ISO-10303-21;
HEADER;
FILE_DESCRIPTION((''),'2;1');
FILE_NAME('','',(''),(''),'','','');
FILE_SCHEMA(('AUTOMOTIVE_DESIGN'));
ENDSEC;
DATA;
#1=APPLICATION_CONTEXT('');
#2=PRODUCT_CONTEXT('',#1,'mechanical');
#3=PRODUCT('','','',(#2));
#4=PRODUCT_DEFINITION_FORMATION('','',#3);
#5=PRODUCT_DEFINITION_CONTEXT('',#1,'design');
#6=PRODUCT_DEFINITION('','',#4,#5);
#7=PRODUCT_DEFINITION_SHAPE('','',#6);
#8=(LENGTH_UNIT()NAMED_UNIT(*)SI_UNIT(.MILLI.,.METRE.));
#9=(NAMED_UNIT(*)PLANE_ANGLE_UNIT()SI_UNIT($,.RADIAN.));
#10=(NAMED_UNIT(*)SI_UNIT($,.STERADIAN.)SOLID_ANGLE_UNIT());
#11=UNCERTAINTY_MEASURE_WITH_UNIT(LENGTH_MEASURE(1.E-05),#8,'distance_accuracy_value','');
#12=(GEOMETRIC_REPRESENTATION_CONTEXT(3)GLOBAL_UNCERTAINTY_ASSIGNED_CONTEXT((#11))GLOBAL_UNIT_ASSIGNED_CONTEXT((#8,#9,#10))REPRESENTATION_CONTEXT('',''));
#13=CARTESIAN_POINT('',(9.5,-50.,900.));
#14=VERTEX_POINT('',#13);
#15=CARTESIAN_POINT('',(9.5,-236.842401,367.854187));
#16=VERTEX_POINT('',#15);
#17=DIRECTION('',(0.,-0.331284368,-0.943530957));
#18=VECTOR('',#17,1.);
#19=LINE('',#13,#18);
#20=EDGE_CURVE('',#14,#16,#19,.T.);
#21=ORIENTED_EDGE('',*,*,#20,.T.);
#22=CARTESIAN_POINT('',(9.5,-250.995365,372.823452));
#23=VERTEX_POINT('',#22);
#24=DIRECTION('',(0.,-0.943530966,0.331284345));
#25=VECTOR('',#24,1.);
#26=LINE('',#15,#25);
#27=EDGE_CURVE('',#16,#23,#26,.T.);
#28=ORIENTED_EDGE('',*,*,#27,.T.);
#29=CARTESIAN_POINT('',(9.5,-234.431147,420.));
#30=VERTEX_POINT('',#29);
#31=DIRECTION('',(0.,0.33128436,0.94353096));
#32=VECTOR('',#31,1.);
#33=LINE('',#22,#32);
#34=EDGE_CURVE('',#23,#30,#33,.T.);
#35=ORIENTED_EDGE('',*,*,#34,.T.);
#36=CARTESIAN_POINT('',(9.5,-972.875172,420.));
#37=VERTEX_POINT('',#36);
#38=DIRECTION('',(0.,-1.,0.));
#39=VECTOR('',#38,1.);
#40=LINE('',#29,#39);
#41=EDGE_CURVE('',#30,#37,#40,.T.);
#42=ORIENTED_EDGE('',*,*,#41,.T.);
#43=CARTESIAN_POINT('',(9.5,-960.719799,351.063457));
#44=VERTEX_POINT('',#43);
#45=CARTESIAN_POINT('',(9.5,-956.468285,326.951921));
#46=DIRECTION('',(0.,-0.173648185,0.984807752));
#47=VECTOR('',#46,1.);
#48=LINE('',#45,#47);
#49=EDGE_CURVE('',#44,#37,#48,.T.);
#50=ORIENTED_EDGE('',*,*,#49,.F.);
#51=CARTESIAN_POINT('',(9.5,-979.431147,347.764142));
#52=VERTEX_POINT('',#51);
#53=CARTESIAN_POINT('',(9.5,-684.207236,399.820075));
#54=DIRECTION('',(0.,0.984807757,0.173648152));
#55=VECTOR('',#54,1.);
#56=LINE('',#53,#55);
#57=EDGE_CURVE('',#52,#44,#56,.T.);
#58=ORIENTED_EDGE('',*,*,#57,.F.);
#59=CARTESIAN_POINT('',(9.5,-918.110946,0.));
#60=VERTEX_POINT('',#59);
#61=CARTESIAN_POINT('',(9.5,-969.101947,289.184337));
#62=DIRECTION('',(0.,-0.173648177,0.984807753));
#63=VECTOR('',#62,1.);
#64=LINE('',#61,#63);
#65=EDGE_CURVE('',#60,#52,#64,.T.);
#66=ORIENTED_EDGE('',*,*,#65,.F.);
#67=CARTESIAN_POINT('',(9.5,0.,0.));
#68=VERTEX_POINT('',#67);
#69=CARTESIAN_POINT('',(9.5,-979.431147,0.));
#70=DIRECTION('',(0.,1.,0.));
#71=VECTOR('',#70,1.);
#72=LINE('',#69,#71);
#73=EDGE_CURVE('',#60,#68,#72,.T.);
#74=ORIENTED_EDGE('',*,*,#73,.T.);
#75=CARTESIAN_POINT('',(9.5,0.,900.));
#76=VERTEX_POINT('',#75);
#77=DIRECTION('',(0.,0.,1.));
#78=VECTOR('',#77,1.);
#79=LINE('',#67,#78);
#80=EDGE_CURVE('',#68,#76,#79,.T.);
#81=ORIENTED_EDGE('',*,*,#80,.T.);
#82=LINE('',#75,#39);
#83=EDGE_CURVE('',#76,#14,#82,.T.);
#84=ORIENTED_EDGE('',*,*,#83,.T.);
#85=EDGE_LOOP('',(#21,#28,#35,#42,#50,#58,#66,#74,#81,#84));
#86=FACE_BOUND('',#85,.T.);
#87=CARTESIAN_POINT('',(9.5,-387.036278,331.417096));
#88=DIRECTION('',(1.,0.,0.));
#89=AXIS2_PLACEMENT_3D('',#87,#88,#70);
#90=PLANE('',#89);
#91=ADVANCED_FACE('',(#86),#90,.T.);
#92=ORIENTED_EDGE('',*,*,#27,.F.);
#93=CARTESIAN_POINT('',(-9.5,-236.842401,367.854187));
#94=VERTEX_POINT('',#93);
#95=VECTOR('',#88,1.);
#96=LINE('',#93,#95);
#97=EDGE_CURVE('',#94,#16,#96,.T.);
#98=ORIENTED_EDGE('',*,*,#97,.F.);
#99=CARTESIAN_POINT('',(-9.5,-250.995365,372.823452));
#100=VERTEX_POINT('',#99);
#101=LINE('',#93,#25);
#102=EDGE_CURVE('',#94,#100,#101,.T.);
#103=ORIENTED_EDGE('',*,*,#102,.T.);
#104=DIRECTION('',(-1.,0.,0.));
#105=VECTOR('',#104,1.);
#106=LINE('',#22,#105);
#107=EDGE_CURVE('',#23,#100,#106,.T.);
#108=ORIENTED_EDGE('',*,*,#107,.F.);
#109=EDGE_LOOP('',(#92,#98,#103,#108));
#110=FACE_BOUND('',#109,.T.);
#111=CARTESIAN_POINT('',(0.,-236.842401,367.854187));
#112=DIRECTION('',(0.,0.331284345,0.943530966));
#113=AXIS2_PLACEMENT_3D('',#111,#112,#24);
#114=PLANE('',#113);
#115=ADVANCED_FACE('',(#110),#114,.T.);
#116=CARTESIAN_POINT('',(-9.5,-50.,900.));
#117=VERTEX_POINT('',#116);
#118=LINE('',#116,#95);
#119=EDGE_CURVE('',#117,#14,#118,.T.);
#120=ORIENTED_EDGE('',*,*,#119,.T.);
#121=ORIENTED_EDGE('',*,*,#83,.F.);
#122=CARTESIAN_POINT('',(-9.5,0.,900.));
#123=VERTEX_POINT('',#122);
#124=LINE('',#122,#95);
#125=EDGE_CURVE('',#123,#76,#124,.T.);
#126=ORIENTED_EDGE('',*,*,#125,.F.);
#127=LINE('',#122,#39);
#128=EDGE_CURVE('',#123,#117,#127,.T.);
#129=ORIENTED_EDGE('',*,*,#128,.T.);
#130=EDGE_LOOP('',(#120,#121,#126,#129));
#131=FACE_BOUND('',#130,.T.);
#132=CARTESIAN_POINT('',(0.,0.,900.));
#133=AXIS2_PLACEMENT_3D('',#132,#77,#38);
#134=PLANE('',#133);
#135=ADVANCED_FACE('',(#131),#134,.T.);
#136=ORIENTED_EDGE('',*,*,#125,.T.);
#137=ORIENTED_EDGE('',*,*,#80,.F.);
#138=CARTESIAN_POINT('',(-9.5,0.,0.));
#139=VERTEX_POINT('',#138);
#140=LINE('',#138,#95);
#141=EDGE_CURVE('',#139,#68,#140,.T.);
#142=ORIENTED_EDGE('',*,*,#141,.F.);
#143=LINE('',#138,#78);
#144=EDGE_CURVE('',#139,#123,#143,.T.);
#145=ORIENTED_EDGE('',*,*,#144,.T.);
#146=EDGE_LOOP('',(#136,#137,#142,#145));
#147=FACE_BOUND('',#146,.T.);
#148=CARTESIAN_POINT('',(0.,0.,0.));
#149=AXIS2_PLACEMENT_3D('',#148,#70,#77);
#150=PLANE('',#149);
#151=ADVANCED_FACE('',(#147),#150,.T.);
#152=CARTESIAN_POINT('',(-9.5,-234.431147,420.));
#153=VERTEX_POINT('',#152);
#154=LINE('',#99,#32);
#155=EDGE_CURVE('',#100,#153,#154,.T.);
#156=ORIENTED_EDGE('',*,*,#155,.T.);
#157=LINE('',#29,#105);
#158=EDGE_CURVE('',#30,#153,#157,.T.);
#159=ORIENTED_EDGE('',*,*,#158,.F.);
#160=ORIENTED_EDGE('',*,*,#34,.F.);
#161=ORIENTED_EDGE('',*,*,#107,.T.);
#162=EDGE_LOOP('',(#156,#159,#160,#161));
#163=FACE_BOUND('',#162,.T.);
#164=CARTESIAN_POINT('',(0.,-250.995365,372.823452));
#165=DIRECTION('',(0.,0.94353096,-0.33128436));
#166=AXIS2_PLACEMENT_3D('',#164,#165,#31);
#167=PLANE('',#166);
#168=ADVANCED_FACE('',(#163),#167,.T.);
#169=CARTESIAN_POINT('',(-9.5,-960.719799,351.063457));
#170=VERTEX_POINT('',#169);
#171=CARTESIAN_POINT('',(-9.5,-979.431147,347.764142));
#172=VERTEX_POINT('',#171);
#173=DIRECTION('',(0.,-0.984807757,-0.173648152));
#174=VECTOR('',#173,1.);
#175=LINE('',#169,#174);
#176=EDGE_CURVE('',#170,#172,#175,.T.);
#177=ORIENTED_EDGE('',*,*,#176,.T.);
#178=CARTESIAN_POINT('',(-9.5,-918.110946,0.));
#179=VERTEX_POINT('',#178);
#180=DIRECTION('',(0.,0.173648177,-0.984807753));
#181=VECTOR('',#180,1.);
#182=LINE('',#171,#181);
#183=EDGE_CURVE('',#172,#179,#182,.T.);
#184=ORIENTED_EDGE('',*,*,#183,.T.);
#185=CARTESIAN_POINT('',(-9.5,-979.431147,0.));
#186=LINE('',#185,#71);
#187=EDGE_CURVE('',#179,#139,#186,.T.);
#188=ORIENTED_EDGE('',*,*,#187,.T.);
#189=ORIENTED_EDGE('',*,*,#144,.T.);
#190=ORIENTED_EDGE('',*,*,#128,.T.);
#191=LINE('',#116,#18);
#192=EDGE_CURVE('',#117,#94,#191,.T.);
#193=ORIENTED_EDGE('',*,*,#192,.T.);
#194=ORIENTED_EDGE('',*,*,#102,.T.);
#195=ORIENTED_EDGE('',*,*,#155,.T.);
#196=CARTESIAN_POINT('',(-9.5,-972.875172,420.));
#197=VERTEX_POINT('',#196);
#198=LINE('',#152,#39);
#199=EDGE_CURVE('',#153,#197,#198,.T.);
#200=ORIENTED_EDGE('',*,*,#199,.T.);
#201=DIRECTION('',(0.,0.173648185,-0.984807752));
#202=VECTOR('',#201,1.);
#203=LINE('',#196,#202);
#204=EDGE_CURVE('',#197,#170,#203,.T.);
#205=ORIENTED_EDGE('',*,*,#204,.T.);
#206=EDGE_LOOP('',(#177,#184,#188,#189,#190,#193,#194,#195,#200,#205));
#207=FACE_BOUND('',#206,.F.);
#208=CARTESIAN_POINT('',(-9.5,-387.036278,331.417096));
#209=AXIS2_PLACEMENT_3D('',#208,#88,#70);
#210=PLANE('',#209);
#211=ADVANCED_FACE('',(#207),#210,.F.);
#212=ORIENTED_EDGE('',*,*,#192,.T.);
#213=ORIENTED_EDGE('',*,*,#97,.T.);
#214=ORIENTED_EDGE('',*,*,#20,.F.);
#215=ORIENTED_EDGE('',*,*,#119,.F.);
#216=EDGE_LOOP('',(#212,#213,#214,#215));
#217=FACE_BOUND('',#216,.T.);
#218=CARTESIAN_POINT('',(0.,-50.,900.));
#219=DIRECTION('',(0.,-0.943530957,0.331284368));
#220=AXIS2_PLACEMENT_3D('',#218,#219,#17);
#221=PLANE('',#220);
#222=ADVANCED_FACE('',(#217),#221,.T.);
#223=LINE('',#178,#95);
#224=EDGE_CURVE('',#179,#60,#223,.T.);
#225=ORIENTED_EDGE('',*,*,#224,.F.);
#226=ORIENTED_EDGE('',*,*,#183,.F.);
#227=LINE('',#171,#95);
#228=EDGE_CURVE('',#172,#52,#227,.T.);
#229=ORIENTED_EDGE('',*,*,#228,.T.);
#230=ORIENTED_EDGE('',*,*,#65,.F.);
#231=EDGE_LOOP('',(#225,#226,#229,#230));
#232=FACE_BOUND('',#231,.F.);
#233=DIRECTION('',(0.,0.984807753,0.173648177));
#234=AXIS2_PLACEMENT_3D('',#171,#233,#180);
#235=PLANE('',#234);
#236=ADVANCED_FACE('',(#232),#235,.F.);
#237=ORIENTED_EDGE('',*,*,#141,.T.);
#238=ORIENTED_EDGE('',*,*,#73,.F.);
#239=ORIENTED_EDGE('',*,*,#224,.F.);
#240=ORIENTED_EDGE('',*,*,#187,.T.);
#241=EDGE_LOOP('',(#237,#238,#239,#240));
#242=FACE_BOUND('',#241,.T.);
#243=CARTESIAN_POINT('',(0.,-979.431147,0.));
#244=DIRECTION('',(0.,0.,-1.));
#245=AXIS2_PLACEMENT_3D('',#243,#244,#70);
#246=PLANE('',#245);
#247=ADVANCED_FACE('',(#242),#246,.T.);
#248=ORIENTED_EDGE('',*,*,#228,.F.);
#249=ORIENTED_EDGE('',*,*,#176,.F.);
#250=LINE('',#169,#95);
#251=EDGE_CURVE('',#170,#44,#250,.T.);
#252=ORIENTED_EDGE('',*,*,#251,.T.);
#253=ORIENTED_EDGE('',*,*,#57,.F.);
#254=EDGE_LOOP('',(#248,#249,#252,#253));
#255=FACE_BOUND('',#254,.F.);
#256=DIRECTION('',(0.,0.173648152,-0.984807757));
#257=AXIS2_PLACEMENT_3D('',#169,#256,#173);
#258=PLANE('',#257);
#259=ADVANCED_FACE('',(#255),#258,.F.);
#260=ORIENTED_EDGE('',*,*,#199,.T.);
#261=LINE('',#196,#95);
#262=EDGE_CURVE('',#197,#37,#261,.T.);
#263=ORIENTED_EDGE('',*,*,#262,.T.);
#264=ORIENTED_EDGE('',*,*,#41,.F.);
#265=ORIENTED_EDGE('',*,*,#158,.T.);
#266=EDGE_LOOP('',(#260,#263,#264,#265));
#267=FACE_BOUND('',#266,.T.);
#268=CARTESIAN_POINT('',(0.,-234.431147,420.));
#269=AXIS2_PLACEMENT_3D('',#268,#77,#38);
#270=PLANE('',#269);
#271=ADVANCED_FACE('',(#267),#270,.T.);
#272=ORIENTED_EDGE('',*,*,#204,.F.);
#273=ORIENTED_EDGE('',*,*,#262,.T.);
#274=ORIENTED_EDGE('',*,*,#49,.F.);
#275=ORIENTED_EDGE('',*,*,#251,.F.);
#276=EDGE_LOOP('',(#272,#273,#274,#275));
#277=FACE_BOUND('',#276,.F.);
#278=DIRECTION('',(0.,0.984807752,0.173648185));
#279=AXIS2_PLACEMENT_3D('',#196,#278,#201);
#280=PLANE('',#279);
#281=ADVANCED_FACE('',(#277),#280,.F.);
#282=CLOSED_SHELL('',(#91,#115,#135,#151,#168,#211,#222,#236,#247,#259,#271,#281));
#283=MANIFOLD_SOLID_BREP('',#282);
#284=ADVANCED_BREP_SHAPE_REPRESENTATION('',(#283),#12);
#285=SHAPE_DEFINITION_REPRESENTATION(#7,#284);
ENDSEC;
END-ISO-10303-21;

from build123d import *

# Parameters (mm, degrees)
F1_DEPTH = 9.5
F3_DEPTH = 19.001


with BuildPart() as f1:
    # F0 (on Right) → F1 (new body, symmetric)
    with BuildSketch(Plane.YZ):
        Polygon((-979.431147, 420), (-979.431147, 0), (0, 0), (0, 900), (-50, 900), (-236.842401, 367.854187), (-250.995365, 372.823452), (-234.431147, 420), align=None)
    extrude(amount=F1_DEPTH, both=True)

    # F2 (on face) → F3 (cut, through all)
    with BuildSketch(Plane(origin=(-9.5, 0, 0), x_dir=(0, -1, 0), z_dir=(-1, 0, 0))):
        Polygon((979.431147, 0), (979.431147, 347.764142), (918.110946, 0), align=None)
        Polygon((960.719799, 351.063457), (979.431147, 347.764142), (979.431147, 420), (972.875172, 420), align=None)
    extrude(amount=-F3_DEPTH, mode=Mode.SUBTRACT)


solid = f1.part
